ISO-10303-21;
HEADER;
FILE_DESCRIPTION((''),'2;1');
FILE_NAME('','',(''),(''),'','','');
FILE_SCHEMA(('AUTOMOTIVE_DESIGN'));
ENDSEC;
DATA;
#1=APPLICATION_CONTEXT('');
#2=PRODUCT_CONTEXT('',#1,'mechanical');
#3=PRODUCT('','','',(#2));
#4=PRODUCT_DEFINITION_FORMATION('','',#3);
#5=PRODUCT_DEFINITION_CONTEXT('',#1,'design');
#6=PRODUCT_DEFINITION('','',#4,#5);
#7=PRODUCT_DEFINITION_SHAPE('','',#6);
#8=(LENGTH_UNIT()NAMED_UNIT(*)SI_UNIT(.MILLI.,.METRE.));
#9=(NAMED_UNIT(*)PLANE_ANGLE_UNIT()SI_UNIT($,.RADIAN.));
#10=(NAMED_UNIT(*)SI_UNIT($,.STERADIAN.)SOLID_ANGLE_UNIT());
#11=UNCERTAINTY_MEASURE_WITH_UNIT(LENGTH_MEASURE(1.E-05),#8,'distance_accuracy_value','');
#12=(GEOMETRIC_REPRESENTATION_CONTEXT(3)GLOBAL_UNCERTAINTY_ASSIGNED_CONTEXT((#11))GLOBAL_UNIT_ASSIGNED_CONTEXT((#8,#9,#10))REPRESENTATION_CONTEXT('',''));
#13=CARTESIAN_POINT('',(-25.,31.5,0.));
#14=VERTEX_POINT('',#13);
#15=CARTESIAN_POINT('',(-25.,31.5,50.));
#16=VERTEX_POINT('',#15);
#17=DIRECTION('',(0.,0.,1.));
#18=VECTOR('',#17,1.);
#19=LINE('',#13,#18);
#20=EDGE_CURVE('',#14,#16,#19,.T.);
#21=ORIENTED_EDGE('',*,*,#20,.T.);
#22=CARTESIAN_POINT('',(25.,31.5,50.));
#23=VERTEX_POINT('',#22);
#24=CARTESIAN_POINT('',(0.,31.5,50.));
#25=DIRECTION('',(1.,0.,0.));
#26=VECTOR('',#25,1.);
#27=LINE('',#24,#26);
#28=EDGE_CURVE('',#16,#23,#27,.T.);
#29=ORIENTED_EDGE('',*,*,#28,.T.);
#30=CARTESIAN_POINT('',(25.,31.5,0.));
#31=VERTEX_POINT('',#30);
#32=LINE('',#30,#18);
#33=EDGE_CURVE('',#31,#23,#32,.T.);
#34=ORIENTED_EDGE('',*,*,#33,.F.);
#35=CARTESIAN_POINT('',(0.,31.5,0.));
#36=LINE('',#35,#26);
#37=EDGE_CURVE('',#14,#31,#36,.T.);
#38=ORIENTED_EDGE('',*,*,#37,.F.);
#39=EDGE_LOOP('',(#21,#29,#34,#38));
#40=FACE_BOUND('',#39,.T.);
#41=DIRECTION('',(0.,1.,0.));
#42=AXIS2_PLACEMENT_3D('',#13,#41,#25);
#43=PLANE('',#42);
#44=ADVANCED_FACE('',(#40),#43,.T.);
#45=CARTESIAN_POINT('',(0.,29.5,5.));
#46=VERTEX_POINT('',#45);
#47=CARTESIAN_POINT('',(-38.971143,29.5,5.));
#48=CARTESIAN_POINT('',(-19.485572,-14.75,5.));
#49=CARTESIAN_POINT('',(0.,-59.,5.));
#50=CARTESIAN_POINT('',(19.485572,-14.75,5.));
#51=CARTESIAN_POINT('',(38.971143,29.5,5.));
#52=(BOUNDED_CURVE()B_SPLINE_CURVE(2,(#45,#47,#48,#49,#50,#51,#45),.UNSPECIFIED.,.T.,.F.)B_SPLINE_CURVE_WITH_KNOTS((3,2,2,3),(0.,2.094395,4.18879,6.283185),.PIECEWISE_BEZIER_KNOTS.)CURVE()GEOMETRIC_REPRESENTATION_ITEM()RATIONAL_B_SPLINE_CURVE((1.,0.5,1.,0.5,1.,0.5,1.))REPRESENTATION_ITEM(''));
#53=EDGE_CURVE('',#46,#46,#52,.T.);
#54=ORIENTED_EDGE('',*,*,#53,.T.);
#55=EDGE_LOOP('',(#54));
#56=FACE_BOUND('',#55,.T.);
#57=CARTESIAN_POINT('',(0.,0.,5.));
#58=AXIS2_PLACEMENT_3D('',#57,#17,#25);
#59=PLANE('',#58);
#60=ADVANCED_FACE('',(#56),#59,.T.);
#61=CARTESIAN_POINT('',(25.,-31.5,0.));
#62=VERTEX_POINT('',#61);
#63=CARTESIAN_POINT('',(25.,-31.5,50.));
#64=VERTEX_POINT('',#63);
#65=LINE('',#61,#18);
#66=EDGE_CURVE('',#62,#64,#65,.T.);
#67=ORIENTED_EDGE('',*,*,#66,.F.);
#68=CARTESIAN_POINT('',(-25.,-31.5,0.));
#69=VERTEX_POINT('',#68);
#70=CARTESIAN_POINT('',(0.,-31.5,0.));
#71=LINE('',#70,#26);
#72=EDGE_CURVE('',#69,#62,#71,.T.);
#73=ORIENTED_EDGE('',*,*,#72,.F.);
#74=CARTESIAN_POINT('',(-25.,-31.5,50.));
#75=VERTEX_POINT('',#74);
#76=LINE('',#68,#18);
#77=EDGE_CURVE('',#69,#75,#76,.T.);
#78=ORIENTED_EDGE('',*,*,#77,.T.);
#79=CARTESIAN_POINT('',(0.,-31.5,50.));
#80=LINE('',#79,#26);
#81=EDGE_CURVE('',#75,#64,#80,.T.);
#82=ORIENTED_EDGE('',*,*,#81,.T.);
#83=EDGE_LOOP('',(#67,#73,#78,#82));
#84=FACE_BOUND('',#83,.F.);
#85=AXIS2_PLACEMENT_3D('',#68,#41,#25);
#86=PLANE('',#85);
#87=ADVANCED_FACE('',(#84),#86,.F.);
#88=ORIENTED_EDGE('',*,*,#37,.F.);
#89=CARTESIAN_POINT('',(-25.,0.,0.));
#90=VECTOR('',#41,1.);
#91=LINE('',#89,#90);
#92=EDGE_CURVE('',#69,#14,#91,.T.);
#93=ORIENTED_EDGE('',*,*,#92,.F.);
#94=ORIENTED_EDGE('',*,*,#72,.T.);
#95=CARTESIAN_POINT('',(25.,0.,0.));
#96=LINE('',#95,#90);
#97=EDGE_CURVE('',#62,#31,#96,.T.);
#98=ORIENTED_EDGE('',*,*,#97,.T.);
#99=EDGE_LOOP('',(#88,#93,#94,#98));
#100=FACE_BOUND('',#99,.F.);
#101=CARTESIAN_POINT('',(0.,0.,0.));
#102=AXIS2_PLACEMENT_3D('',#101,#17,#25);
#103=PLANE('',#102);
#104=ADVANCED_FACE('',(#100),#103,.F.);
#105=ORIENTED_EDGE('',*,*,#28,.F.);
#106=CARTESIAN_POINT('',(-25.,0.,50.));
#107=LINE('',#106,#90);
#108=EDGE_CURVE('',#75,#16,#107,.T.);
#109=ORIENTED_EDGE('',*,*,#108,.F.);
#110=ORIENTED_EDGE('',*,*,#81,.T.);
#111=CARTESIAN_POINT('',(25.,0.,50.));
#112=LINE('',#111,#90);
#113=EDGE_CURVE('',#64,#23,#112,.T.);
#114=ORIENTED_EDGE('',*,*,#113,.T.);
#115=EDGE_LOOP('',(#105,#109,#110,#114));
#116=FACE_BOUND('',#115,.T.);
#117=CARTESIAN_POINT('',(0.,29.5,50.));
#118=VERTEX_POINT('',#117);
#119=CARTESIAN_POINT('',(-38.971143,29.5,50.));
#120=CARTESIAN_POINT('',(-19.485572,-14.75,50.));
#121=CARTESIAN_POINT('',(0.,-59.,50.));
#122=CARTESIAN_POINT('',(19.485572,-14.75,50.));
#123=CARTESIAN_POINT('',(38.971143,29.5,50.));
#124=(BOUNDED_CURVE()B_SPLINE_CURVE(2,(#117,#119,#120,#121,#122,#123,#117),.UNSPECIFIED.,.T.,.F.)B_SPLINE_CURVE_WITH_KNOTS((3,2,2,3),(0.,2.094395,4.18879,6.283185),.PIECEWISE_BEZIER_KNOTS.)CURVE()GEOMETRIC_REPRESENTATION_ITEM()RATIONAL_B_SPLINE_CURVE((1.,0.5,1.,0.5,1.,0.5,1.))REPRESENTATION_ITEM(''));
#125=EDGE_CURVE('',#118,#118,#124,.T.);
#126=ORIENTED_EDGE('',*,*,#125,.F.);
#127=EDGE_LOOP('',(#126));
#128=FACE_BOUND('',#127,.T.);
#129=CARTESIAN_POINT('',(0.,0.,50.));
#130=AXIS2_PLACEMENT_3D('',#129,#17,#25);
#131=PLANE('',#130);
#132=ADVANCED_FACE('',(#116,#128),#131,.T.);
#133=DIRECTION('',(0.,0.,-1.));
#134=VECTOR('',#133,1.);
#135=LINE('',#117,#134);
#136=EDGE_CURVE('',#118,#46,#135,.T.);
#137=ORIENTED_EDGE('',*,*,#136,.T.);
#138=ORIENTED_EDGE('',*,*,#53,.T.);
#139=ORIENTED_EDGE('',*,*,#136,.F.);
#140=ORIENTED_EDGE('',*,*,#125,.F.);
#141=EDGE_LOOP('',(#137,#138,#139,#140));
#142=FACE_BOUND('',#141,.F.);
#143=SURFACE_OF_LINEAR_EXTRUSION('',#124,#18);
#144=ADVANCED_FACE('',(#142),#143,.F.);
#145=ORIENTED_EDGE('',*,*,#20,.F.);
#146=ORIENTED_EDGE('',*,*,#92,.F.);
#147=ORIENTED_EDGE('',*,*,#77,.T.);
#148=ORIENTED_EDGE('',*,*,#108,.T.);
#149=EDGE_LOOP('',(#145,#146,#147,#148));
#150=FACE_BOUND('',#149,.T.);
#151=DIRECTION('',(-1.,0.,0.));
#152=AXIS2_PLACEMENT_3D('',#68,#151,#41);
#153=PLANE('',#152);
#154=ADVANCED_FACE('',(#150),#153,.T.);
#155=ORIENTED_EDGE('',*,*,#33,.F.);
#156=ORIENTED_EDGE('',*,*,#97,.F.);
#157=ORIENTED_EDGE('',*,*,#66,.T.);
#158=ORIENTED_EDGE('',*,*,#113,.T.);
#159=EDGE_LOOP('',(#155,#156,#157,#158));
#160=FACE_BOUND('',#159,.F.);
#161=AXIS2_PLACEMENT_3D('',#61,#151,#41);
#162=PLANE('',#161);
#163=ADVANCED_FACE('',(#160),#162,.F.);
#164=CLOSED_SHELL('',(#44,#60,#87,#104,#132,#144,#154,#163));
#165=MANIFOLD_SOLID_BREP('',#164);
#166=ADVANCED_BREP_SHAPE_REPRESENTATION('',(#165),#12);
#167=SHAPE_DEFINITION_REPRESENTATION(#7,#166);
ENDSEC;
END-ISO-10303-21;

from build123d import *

# Parameters (mm, degrees)
F0_W     = 50
F0_H     = 63
F1_DEPTH = 50
F3_DEPTH = 45


with BuildPart() as f1:
    # F0 (on Top) → F1 (new body)
    with BuildSketch(Plane.XY):
        Rectangle(F0_W, F0_H)
    extrude(amount=F1_DEPTH)

    # F2 (on face) → F3 (cut)
    with BuildSketch(Plane.XY.offset(50)):
        with BuildLine():
            add(Edge.make_bspline(
                [(0, 29.5), (-38.971143, 29.5), (-19.485572, -14.75), (0, -59), (19.485572, -14.75), (38.971143, 29.5), (0, 29.5)],
                knots=[0, 0, 0, 2.094395, 2.094395, 4.18879, 4.18879, 6.283185, 6.283185, 6.283185], degree=2, weights=[1, 0.5, 1, 0.5, 1, 0.5, 1]))
        make_face()
    extrude(amount=-F3_DEPTH, mode=Mode.SUBTRACT)


solid = f1.part
